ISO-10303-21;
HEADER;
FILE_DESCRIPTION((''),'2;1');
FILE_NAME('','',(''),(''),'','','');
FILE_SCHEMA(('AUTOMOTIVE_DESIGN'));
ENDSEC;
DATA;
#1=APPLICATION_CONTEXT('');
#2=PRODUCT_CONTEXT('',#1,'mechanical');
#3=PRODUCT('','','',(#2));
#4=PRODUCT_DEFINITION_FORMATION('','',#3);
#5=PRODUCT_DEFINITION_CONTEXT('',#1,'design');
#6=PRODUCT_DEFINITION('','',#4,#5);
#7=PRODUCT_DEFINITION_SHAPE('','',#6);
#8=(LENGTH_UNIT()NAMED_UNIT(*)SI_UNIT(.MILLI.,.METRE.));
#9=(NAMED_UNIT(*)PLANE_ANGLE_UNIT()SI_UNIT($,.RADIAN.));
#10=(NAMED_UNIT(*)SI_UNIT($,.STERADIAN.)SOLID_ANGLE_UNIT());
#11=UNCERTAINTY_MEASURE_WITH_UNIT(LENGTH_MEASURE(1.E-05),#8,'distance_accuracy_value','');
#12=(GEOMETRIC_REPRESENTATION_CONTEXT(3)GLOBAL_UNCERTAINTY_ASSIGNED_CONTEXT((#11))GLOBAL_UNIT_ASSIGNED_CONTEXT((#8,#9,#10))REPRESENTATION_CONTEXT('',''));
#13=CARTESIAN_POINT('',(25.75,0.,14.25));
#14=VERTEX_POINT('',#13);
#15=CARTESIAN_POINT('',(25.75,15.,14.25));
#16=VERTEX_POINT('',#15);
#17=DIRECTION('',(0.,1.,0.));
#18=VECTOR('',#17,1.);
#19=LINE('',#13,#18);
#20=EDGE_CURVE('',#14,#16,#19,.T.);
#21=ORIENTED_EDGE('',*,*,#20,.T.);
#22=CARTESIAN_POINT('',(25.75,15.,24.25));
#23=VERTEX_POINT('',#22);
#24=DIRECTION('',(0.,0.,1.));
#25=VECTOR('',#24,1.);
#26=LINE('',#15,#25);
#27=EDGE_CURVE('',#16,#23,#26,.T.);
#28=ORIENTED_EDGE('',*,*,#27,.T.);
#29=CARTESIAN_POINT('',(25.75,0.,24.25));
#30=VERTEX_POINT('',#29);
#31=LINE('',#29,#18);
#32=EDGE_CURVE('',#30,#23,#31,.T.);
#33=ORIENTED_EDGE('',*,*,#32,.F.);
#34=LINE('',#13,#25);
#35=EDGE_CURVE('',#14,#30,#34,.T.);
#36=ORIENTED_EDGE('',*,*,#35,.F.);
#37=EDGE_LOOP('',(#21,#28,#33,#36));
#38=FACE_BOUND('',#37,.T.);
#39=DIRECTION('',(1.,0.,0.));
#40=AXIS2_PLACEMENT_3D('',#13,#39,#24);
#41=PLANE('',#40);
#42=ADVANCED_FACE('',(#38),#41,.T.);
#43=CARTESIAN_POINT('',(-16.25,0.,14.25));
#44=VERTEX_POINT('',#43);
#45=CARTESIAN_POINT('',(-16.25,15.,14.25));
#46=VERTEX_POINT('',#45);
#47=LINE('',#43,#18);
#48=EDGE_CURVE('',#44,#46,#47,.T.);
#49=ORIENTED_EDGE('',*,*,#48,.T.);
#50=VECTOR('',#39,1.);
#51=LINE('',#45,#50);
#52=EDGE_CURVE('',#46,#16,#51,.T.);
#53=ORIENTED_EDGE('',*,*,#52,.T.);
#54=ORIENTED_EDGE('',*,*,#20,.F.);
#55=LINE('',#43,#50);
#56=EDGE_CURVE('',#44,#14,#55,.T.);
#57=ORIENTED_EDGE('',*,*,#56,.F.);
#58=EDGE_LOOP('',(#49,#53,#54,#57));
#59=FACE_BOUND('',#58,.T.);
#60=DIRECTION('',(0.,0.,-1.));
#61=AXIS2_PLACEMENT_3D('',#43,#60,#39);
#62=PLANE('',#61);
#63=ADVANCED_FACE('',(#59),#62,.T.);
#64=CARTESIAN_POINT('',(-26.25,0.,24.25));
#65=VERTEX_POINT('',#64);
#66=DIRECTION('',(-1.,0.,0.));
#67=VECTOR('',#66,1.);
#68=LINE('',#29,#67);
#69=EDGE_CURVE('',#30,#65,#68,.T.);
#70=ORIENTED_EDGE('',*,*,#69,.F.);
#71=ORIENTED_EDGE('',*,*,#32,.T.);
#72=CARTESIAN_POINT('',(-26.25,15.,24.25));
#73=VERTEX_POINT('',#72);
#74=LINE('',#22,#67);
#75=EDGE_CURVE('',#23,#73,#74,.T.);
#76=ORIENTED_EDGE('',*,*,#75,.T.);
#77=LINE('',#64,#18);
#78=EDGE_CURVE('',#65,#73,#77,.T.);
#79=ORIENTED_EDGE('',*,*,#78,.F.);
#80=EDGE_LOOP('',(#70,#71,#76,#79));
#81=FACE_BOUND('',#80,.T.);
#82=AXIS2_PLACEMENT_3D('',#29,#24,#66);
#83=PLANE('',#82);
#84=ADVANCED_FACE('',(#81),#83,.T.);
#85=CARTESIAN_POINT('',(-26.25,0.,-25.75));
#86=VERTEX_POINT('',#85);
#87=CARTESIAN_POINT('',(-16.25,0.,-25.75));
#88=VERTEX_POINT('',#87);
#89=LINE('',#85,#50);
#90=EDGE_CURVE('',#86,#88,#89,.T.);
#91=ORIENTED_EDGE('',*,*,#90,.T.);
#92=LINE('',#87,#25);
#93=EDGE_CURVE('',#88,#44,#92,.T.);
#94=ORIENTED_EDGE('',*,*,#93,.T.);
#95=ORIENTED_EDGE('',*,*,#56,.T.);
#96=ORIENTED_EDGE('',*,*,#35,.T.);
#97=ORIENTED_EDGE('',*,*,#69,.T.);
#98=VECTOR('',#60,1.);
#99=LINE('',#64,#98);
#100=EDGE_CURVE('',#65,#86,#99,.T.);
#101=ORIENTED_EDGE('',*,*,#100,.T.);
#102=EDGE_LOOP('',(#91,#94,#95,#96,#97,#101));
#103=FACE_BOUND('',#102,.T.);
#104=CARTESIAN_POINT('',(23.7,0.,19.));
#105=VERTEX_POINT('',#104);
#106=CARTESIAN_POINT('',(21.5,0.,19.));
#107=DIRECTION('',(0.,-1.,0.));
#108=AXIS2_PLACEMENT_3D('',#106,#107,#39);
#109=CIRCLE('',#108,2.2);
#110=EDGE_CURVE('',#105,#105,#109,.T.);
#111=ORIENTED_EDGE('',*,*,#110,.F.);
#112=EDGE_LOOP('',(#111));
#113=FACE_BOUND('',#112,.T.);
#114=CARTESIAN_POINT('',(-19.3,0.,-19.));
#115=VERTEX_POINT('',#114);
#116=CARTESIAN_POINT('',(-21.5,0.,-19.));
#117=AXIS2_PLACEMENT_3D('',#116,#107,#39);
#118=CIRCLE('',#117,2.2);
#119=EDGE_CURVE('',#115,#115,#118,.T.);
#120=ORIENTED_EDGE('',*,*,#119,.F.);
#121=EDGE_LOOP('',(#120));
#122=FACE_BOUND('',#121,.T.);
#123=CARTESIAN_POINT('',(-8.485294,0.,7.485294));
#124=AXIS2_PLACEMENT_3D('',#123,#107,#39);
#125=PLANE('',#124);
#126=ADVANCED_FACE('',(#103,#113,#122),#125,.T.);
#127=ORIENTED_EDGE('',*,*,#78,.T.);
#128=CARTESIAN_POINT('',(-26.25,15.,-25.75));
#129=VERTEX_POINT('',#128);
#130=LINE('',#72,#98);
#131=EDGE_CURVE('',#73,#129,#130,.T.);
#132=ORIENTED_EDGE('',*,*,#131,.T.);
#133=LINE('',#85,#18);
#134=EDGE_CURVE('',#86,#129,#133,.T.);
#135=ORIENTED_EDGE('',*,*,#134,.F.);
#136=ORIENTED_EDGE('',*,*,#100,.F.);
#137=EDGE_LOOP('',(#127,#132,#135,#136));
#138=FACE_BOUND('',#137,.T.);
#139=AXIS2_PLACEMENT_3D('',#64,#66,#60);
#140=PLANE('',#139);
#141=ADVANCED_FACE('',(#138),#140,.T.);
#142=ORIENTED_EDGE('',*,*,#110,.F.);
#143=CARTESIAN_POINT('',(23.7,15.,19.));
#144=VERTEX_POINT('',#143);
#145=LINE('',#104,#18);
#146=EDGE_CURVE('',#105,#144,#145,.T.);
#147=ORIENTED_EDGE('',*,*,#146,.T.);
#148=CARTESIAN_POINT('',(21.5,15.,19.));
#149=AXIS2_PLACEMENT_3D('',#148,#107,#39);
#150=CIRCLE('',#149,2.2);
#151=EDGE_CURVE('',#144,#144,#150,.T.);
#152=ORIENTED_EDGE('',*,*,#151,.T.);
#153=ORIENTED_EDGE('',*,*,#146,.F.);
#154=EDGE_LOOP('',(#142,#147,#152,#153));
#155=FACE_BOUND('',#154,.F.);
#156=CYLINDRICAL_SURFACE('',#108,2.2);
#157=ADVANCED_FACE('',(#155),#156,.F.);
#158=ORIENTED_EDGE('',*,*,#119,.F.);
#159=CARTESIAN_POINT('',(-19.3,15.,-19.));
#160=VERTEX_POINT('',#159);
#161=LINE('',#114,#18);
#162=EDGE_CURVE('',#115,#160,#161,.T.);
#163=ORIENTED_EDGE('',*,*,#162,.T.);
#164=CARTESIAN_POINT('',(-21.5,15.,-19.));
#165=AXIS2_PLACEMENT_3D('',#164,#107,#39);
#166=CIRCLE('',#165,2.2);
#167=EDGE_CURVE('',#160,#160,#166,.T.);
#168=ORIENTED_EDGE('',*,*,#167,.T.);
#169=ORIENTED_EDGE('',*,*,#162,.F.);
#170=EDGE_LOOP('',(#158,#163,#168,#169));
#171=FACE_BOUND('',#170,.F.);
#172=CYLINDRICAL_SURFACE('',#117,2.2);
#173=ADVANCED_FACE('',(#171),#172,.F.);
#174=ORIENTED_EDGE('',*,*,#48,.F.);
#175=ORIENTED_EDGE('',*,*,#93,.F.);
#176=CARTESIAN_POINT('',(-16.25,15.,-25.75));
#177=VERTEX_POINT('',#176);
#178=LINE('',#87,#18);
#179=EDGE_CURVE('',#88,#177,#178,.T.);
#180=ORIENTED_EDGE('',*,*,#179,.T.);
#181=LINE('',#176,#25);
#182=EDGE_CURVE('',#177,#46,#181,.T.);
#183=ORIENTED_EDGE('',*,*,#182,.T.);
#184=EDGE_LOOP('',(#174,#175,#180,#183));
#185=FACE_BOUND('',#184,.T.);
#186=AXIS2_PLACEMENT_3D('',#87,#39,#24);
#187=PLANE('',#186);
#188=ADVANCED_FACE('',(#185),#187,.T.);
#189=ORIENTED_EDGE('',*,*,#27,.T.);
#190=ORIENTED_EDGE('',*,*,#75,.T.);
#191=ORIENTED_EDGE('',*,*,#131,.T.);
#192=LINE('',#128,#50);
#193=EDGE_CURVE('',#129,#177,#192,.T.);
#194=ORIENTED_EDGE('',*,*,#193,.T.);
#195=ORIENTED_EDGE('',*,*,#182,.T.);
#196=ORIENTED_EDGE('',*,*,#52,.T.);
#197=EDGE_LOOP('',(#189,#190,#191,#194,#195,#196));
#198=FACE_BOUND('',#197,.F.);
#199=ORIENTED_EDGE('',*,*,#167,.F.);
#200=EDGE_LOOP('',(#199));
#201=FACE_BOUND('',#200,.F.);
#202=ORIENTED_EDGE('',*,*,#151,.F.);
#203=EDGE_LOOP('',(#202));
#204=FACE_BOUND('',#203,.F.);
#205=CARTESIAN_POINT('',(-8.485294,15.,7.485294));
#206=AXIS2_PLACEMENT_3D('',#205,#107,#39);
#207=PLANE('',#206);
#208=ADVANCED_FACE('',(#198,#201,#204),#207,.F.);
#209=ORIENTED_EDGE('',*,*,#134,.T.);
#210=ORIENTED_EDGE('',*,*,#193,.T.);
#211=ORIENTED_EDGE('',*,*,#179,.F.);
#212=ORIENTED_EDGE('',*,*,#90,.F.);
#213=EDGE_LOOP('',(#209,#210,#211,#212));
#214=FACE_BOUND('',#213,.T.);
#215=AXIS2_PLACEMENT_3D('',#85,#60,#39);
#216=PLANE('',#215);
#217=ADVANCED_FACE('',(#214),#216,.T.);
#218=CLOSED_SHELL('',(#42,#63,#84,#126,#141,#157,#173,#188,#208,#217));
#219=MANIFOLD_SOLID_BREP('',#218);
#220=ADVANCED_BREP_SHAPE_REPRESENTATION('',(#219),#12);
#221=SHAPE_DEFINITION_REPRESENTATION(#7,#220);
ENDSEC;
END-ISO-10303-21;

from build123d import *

# Parameters (mm, degrees)
F0_R     = 2.2
F1_DEPTH = 15
F2_R     = 2.2
F3_DEPTH = 15


with BuildPart() as f1:
    # F0 (on Front) → F1 (new body)
    with BuildSketch(Plane.XZ):
        with BuildLine():
            Line((8.592964, -25.75), (25.75, -25.75))
            Line((25.75, -25.75), (25.75, 0))
            ThreePointArc((25.75, 0), (24.573215, 7.695427), (21.150419, 14.687487))
            Line((21.150419, 14.687487), (23.486593, 16.752013))
            ThreePointArc((23.486593, 16.752013), (23.747987, 20.986593), (19.513407, 21.247987))
            Line((19.513407, 21.247987), (17.177232, 19.183461))
            ThreePointArc((17.177232, 19.183461), (-10.505921, 23.50932), (-25.75, 0))
            ThreePointArc((-25.75, 0), (-24.545164, -7.667474), (-21.046787, -14.595905))
            Line((-21.046787, -14.595905), (-23.486593, -16.752013))
            ThreePointArc((-23.486593, -16.752013), (-23.747987, -20.986593), (-19.513407, -21.247987))
            Line((-19.513407, -21.247987), (-16.983615, -19.012358))
            ThreePointArc((-16.983615, -19.012358), (-4.7787, -24.673256), (8.592964, -23.188554))
            Line((8.592964, -23.188554), (8.592964, -25.75))
        make_face()
        with Locations((-21.5, -19)):
            Circle(F0_R, mode=Mode.SUBTRACT)
        with Locations((21.5, 19)):
            Circle(F0_R, mode=Mode.SUBTRACT)
    extrude(amount=F1_DEPTH)


with BuildPart() as f3:
    # F2 (on Front) → F3 (new body)
    with BuildSketch(Plane.XZ):
        Polygon((25.75, 14.25), (25.75, 24.25), (-26.25, 24.25), (-26.25, -25.75), (-16.25, -25.75), (-16.25, 14.25), align=None)
        with Locations((-21.5, -19)):
            Circle(F2_R, mode=Mode.SUBTRACT)
        with Locations((21.5, 19)):
            Circle(F2_R, mode=Mode.SUBTRACT)
    extrude(amount=-F3_DEPTH)


solid = f3.part
